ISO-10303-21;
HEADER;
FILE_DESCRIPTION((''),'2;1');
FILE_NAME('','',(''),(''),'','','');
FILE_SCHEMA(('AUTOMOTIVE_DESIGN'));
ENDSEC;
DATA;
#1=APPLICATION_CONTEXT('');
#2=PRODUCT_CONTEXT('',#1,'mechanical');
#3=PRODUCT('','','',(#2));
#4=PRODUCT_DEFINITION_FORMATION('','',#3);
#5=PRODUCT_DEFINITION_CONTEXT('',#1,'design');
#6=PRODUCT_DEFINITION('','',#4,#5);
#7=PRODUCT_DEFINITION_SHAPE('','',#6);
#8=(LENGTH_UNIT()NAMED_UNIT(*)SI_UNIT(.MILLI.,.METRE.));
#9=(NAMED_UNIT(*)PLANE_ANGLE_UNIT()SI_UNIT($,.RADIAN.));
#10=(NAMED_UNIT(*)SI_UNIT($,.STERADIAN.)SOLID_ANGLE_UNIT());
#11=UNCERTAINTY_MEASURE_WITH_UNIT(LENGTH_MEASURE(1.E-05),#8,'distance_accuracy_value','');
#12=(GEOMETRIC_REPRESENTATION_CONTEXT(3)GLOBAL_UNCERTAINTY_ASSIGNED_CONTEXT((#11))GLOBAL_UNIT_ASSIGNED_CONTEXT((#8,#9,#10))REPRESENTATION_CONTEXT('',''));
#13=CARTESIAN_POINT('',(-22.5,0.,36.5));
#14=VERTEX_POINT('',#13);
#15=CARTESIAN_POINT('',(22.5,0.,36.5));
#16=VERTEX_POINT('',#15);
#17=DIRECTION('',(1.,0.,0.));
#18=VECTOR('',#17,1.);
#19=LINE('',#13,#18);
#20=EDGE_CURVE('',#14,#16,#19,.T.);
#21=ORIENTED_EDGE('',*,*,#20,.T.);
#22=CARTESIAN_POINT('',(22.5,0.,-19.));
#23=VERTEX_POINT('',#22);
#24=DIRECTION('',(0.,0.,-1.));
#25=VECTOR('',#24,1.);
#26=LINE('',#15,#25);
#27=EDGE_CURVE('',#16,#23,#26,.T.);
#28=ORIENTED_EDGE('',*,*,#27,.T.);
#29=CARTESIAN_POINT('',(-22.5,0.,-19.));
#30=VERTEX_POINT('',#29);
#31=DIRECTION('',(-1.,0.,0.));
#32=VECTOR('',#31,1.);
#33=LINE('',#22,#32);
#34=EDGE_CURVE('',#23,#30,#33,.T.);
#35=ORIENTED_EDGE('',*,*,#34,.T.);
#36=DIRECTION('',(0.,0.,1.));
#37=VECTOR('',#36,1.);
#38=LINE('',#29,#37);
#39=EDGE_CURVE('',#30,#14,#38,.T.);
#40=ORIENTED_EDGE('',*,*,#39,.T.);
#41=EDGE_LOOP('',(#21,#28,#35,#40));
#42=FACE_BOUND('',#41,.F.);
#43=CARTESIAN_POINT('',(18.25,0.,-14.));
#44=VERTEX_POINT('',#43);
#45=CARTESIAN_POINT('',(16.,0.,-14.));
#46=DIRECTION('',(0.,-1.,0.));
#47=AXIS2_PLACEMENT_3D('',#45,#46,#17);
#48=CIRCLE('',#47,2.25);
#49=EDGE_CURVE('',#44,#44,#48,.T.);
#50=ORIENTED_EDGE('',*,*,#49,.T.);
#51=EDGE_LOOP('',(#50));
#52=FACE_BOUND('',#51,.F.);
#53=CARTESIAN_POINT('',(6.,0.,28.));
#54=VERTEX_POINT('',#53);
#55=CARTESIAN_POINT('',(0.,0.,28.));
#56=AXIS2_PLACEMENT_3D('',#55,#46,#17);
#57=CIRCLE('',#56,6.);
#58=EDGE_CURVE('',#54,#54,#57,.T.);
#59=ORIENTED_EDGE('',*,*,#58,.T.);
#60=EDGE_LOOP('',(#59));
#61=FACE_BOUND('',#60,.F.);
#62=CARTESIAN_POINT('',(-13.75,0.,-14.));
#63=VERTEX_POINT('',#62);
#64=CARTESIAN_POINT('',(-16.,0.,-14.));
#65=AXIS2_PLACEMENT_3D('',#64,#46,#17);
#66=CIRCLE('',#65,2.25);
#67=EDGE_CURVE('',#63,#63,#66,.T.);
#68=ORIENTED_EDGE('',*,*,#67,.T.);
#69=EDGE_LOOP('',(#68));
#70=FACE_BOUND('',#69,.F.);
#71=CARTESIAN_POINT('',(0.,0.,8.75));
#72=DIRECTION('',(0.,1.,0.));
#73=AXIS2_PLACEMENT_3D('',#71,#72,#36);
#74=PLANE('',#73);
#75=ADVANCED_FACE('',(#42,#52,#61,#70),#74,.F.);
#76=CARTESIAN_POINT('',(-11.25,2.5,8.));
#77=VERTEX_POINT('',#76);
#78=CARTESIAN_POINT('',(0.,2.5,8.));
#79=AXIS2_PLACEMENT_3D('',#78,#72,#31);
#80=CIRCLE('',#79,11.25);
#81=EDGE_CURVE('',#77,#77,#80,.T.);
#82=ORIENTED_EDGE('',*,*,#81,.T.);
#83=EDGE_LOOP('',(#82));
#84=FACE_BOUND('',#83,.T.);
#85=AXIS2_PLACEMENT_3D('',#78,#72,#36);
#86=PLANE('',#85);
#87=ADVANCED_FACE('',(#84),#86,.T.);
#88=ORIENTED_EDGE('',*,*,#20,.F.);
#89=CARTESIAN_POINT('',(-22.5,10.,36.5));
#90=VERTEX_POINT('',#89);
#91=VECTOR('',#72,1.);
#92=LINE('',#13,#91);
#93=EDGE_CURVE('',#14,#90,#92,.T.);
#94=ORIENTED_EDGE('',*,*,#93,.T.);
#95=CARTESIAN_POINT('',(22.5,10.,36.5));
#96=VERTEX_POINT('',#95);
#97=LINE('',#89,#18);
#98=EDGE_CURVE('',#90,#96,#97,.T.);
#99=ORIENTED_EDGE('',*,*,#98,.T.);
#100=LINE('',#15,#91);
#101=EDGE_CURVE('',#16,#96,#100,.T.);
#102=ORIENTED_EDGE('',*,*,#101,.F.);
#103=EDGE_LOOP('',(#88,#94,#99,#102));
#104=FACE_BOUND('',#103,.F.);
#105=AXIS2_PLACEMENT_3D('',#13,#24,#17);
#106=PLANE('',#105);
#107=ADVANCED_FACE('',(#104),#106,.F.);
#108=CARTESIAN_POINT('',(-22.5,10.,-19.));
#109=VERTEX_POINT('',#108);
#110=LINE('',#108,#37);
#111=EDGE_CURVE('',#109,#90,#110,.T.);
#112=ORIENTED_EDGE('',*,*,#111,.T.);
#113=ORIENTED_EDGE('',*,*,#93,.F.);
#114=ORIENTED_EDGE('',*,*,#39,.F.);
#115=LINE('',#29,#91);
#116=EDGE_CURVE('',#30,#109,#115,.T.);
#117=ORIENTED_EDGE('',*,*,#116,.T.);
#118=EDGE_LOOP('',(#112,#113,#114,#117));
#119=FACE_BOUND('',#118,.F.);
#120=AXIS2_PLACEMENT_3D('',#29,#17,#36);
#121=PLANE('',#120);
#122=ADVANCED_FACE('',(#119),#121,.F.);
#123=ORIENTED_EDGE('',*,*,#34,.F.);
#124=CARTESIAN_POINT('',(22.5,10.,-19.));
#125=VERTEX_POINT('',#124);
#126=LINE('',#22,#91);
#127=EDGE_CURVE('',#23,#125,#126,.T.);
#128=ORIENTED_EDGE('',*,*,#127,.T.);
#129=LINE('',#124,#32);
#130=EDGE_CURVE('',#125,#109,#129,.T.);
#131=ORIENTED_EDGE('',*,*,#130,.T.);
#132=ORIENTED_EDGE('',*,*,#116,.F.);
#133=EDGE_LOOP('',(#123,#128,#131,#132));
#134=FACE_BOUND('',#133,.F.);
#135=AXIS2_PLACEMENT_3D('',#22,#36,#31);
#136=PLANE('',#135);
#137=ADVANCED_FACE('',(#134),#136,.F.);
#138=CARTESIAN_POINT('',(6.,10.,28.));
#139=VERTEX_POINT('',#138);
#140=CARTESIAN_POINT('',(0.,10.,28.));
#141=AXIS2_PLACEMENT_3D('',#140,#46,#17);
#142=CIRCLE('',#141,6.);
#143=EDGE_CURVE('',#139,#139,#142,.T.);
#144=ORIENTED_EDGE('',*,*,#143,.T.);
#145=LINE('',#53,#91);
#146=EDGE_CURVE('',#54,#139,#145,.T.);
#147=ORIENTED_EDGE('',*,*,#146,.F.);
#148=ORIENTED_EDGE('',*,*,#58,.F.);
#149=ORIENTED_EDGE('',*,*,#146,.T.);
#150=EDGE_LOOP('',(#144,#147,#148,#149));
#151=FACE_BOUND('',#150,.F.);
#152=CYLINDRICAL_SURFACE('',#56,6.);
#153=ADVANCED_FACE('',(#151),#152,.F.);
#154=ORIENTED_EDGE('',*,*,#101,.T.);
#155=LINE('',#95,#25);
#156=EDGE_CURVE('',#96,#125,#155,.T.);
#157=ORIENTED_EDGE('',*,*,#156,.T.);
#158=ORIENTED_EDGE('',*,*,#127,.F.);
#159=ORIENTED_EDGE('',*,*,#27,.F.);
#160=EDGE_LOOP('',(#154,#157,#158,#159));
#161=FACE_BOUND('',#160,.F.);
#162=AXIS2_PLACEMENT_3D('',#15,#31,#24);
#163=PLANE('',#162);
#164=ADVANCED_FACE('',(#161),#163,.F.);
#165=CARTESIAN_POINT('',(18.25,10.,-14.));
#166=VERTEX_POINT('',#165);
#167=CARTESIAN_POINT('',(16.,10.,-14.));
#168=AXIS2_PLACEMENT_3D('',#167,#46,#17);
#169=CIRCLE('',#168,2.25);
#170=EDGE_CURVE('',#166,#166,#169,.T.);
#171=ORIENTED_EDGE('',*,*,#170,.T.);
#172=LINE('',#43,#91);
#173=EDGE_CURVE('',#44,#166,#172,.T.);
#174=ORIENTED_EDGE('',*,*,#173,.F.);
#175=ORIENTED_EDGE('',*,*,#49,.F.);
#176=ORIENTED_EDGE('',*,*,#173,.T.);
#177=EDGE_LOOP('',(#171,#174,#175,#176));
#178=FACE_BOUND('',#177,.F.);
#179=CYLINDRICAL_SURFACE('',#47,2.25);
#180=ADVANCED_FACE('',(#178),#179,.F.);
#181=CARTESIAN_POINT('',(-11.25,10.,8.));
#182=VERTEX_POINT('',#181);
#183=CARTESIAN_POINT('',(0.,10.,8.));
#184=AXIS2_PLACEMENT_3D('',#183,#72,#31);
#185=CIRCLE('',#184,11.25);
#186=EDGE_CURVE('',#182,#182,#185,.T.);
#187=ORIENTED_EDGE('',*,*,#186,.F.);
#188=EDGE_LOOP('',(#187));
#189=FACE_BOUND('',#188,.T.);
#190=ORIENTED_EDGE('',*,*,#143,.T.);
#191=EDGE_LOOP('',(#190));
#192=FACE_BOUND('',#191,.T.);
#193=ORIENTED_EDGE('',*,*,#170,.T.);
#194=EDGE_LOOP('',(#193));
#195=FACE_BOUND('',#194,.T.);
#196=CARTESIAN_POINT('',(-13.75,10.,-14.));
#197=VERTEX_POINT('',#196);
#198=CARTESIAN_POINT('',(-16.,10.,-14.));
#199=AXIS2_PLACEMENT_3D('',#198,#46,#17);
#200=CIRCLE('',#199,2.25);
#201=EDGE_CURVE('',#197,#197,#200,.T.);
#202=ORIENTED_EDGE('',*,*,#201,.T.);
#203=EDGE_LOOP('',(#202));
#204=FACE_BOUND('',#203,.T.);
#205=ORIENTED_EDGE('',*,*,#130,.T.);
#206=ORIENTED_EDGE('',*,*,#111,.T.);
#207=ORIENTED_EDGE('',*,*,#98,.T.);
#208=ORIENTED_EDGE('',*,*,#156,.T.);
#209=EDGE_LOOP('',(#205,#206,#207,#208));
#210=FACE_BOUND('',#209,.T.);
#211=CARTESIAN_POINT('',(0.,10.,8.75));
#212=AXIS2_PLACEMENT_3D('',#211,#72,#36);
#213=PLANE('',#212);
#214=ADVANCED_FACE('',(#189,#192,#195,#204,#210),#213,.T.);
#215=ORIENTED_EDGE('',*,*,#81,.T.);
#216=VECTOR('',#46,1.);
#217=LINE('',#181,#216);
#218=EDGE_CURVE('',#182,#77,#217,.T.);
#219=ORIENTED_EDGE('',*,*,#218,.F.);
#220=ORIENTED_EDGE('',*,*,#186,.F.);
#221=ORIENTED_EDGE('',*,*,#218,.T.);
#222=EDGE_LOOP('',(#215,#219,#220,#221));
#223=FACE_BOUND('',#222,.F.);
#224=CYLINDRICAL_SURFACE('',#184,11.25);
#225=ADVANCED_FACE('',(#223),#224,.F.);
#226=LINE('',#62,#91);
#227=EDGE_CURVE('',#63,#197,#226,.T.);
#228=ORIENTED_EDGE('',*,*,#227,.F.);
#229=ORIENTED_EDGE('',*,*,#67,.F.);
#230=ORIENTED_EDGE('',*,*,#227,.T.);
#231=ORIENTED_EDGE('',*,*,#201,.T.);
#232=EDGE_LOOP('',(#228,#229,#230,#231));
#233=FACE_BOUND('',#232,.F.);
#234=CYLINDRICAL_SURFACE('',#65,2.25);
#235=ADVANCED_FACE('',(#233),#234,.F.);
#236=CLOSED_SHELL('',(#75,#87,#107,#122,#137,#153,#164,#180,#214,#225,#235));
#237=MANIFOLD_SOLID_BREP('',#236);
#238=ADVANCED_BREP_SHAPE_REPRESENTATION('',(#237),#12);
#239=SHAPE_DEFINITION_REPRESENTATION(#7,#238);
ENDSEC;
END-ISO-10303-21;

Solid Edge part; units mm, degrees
sketch "Sketch1" plane through (0, 0, 0) normal (0, -1, 0) x (1, 0, 0)
  line L0 (22.5, 36.5) -> (22.5, -19)
  line L1 (22.5, -19) -> (-22.5, -19)
  line L2 (-22.5, -19) -> (-22.5, 36.5)
  line L3 (-22.5, 36.5) -> (22.5, 36.5)
  circle A0 centre (0, 28) radius 6
  circle A1 centre (0, 8) radius 4.6
  dimension "D1" = 9.2
  dimension "D2" = 8
  dimension "D3" = 11.2
  dimension "D4" = 5.6
  dimension "D5" = 15
  dimension "D6" = 22
  dimension "D7" = 45
  dimension "D8" = 5
  dimension "D9" = 13.5
  dimension "D10" = 12
  dimension "D11" = 20
  dimension "D12" = 6.5
  dimension "D13" = 6.5
  dimension "D14" = 4.5
extrude "Protrusion1" add sketch "Sketch1" against normal blind 10
sketch "Sketch2" plane through (0, 10, 4.6) normal (0, 1, 0) x (-1, 0, 0)
  circle A0 centre (0, 3.4) radius 11.25
extrude "ExtrudedCutout_1" cut sketch "Sketch2" against normal blind 7.5
sketch "Sketch3" plane through (0, 2.5, 8) normal (0, 1, 0) x (-1, 0, 0)
  circle A0 centre (0, 0) radius 4.6
extrude "Protrusion2" add sketch "Sketch3" against normal up to vertex (2.5 mm away)
sketch "Sketch4" plane through (0, 0, 0) normal (0, -1, 0) x (1, 0, 0)
  circle A0 centre (-16, -14) radius 2.25
  circle A1 centre (16, -14) radius 2.25
  dimension "D1" = 9.2
  dimension "D2" = 8
  dimension "D3" = 11.2
  dimension "D4" = 5.6
  dimension "D5" = 15
  dimension "D6" = 22
  dimension "D7" = 45
  dimension "D8" = 5
  dimension "D9" = 13.5
  dimension "D10" = 12
  dimension "D11" = 20
  dimension "D12" = 6.5
  dimension "D13" = 6.5
  dimension "D14" = 4.5
extrude "Cutout1" cut sketch "Sketch4" against normal up to next
